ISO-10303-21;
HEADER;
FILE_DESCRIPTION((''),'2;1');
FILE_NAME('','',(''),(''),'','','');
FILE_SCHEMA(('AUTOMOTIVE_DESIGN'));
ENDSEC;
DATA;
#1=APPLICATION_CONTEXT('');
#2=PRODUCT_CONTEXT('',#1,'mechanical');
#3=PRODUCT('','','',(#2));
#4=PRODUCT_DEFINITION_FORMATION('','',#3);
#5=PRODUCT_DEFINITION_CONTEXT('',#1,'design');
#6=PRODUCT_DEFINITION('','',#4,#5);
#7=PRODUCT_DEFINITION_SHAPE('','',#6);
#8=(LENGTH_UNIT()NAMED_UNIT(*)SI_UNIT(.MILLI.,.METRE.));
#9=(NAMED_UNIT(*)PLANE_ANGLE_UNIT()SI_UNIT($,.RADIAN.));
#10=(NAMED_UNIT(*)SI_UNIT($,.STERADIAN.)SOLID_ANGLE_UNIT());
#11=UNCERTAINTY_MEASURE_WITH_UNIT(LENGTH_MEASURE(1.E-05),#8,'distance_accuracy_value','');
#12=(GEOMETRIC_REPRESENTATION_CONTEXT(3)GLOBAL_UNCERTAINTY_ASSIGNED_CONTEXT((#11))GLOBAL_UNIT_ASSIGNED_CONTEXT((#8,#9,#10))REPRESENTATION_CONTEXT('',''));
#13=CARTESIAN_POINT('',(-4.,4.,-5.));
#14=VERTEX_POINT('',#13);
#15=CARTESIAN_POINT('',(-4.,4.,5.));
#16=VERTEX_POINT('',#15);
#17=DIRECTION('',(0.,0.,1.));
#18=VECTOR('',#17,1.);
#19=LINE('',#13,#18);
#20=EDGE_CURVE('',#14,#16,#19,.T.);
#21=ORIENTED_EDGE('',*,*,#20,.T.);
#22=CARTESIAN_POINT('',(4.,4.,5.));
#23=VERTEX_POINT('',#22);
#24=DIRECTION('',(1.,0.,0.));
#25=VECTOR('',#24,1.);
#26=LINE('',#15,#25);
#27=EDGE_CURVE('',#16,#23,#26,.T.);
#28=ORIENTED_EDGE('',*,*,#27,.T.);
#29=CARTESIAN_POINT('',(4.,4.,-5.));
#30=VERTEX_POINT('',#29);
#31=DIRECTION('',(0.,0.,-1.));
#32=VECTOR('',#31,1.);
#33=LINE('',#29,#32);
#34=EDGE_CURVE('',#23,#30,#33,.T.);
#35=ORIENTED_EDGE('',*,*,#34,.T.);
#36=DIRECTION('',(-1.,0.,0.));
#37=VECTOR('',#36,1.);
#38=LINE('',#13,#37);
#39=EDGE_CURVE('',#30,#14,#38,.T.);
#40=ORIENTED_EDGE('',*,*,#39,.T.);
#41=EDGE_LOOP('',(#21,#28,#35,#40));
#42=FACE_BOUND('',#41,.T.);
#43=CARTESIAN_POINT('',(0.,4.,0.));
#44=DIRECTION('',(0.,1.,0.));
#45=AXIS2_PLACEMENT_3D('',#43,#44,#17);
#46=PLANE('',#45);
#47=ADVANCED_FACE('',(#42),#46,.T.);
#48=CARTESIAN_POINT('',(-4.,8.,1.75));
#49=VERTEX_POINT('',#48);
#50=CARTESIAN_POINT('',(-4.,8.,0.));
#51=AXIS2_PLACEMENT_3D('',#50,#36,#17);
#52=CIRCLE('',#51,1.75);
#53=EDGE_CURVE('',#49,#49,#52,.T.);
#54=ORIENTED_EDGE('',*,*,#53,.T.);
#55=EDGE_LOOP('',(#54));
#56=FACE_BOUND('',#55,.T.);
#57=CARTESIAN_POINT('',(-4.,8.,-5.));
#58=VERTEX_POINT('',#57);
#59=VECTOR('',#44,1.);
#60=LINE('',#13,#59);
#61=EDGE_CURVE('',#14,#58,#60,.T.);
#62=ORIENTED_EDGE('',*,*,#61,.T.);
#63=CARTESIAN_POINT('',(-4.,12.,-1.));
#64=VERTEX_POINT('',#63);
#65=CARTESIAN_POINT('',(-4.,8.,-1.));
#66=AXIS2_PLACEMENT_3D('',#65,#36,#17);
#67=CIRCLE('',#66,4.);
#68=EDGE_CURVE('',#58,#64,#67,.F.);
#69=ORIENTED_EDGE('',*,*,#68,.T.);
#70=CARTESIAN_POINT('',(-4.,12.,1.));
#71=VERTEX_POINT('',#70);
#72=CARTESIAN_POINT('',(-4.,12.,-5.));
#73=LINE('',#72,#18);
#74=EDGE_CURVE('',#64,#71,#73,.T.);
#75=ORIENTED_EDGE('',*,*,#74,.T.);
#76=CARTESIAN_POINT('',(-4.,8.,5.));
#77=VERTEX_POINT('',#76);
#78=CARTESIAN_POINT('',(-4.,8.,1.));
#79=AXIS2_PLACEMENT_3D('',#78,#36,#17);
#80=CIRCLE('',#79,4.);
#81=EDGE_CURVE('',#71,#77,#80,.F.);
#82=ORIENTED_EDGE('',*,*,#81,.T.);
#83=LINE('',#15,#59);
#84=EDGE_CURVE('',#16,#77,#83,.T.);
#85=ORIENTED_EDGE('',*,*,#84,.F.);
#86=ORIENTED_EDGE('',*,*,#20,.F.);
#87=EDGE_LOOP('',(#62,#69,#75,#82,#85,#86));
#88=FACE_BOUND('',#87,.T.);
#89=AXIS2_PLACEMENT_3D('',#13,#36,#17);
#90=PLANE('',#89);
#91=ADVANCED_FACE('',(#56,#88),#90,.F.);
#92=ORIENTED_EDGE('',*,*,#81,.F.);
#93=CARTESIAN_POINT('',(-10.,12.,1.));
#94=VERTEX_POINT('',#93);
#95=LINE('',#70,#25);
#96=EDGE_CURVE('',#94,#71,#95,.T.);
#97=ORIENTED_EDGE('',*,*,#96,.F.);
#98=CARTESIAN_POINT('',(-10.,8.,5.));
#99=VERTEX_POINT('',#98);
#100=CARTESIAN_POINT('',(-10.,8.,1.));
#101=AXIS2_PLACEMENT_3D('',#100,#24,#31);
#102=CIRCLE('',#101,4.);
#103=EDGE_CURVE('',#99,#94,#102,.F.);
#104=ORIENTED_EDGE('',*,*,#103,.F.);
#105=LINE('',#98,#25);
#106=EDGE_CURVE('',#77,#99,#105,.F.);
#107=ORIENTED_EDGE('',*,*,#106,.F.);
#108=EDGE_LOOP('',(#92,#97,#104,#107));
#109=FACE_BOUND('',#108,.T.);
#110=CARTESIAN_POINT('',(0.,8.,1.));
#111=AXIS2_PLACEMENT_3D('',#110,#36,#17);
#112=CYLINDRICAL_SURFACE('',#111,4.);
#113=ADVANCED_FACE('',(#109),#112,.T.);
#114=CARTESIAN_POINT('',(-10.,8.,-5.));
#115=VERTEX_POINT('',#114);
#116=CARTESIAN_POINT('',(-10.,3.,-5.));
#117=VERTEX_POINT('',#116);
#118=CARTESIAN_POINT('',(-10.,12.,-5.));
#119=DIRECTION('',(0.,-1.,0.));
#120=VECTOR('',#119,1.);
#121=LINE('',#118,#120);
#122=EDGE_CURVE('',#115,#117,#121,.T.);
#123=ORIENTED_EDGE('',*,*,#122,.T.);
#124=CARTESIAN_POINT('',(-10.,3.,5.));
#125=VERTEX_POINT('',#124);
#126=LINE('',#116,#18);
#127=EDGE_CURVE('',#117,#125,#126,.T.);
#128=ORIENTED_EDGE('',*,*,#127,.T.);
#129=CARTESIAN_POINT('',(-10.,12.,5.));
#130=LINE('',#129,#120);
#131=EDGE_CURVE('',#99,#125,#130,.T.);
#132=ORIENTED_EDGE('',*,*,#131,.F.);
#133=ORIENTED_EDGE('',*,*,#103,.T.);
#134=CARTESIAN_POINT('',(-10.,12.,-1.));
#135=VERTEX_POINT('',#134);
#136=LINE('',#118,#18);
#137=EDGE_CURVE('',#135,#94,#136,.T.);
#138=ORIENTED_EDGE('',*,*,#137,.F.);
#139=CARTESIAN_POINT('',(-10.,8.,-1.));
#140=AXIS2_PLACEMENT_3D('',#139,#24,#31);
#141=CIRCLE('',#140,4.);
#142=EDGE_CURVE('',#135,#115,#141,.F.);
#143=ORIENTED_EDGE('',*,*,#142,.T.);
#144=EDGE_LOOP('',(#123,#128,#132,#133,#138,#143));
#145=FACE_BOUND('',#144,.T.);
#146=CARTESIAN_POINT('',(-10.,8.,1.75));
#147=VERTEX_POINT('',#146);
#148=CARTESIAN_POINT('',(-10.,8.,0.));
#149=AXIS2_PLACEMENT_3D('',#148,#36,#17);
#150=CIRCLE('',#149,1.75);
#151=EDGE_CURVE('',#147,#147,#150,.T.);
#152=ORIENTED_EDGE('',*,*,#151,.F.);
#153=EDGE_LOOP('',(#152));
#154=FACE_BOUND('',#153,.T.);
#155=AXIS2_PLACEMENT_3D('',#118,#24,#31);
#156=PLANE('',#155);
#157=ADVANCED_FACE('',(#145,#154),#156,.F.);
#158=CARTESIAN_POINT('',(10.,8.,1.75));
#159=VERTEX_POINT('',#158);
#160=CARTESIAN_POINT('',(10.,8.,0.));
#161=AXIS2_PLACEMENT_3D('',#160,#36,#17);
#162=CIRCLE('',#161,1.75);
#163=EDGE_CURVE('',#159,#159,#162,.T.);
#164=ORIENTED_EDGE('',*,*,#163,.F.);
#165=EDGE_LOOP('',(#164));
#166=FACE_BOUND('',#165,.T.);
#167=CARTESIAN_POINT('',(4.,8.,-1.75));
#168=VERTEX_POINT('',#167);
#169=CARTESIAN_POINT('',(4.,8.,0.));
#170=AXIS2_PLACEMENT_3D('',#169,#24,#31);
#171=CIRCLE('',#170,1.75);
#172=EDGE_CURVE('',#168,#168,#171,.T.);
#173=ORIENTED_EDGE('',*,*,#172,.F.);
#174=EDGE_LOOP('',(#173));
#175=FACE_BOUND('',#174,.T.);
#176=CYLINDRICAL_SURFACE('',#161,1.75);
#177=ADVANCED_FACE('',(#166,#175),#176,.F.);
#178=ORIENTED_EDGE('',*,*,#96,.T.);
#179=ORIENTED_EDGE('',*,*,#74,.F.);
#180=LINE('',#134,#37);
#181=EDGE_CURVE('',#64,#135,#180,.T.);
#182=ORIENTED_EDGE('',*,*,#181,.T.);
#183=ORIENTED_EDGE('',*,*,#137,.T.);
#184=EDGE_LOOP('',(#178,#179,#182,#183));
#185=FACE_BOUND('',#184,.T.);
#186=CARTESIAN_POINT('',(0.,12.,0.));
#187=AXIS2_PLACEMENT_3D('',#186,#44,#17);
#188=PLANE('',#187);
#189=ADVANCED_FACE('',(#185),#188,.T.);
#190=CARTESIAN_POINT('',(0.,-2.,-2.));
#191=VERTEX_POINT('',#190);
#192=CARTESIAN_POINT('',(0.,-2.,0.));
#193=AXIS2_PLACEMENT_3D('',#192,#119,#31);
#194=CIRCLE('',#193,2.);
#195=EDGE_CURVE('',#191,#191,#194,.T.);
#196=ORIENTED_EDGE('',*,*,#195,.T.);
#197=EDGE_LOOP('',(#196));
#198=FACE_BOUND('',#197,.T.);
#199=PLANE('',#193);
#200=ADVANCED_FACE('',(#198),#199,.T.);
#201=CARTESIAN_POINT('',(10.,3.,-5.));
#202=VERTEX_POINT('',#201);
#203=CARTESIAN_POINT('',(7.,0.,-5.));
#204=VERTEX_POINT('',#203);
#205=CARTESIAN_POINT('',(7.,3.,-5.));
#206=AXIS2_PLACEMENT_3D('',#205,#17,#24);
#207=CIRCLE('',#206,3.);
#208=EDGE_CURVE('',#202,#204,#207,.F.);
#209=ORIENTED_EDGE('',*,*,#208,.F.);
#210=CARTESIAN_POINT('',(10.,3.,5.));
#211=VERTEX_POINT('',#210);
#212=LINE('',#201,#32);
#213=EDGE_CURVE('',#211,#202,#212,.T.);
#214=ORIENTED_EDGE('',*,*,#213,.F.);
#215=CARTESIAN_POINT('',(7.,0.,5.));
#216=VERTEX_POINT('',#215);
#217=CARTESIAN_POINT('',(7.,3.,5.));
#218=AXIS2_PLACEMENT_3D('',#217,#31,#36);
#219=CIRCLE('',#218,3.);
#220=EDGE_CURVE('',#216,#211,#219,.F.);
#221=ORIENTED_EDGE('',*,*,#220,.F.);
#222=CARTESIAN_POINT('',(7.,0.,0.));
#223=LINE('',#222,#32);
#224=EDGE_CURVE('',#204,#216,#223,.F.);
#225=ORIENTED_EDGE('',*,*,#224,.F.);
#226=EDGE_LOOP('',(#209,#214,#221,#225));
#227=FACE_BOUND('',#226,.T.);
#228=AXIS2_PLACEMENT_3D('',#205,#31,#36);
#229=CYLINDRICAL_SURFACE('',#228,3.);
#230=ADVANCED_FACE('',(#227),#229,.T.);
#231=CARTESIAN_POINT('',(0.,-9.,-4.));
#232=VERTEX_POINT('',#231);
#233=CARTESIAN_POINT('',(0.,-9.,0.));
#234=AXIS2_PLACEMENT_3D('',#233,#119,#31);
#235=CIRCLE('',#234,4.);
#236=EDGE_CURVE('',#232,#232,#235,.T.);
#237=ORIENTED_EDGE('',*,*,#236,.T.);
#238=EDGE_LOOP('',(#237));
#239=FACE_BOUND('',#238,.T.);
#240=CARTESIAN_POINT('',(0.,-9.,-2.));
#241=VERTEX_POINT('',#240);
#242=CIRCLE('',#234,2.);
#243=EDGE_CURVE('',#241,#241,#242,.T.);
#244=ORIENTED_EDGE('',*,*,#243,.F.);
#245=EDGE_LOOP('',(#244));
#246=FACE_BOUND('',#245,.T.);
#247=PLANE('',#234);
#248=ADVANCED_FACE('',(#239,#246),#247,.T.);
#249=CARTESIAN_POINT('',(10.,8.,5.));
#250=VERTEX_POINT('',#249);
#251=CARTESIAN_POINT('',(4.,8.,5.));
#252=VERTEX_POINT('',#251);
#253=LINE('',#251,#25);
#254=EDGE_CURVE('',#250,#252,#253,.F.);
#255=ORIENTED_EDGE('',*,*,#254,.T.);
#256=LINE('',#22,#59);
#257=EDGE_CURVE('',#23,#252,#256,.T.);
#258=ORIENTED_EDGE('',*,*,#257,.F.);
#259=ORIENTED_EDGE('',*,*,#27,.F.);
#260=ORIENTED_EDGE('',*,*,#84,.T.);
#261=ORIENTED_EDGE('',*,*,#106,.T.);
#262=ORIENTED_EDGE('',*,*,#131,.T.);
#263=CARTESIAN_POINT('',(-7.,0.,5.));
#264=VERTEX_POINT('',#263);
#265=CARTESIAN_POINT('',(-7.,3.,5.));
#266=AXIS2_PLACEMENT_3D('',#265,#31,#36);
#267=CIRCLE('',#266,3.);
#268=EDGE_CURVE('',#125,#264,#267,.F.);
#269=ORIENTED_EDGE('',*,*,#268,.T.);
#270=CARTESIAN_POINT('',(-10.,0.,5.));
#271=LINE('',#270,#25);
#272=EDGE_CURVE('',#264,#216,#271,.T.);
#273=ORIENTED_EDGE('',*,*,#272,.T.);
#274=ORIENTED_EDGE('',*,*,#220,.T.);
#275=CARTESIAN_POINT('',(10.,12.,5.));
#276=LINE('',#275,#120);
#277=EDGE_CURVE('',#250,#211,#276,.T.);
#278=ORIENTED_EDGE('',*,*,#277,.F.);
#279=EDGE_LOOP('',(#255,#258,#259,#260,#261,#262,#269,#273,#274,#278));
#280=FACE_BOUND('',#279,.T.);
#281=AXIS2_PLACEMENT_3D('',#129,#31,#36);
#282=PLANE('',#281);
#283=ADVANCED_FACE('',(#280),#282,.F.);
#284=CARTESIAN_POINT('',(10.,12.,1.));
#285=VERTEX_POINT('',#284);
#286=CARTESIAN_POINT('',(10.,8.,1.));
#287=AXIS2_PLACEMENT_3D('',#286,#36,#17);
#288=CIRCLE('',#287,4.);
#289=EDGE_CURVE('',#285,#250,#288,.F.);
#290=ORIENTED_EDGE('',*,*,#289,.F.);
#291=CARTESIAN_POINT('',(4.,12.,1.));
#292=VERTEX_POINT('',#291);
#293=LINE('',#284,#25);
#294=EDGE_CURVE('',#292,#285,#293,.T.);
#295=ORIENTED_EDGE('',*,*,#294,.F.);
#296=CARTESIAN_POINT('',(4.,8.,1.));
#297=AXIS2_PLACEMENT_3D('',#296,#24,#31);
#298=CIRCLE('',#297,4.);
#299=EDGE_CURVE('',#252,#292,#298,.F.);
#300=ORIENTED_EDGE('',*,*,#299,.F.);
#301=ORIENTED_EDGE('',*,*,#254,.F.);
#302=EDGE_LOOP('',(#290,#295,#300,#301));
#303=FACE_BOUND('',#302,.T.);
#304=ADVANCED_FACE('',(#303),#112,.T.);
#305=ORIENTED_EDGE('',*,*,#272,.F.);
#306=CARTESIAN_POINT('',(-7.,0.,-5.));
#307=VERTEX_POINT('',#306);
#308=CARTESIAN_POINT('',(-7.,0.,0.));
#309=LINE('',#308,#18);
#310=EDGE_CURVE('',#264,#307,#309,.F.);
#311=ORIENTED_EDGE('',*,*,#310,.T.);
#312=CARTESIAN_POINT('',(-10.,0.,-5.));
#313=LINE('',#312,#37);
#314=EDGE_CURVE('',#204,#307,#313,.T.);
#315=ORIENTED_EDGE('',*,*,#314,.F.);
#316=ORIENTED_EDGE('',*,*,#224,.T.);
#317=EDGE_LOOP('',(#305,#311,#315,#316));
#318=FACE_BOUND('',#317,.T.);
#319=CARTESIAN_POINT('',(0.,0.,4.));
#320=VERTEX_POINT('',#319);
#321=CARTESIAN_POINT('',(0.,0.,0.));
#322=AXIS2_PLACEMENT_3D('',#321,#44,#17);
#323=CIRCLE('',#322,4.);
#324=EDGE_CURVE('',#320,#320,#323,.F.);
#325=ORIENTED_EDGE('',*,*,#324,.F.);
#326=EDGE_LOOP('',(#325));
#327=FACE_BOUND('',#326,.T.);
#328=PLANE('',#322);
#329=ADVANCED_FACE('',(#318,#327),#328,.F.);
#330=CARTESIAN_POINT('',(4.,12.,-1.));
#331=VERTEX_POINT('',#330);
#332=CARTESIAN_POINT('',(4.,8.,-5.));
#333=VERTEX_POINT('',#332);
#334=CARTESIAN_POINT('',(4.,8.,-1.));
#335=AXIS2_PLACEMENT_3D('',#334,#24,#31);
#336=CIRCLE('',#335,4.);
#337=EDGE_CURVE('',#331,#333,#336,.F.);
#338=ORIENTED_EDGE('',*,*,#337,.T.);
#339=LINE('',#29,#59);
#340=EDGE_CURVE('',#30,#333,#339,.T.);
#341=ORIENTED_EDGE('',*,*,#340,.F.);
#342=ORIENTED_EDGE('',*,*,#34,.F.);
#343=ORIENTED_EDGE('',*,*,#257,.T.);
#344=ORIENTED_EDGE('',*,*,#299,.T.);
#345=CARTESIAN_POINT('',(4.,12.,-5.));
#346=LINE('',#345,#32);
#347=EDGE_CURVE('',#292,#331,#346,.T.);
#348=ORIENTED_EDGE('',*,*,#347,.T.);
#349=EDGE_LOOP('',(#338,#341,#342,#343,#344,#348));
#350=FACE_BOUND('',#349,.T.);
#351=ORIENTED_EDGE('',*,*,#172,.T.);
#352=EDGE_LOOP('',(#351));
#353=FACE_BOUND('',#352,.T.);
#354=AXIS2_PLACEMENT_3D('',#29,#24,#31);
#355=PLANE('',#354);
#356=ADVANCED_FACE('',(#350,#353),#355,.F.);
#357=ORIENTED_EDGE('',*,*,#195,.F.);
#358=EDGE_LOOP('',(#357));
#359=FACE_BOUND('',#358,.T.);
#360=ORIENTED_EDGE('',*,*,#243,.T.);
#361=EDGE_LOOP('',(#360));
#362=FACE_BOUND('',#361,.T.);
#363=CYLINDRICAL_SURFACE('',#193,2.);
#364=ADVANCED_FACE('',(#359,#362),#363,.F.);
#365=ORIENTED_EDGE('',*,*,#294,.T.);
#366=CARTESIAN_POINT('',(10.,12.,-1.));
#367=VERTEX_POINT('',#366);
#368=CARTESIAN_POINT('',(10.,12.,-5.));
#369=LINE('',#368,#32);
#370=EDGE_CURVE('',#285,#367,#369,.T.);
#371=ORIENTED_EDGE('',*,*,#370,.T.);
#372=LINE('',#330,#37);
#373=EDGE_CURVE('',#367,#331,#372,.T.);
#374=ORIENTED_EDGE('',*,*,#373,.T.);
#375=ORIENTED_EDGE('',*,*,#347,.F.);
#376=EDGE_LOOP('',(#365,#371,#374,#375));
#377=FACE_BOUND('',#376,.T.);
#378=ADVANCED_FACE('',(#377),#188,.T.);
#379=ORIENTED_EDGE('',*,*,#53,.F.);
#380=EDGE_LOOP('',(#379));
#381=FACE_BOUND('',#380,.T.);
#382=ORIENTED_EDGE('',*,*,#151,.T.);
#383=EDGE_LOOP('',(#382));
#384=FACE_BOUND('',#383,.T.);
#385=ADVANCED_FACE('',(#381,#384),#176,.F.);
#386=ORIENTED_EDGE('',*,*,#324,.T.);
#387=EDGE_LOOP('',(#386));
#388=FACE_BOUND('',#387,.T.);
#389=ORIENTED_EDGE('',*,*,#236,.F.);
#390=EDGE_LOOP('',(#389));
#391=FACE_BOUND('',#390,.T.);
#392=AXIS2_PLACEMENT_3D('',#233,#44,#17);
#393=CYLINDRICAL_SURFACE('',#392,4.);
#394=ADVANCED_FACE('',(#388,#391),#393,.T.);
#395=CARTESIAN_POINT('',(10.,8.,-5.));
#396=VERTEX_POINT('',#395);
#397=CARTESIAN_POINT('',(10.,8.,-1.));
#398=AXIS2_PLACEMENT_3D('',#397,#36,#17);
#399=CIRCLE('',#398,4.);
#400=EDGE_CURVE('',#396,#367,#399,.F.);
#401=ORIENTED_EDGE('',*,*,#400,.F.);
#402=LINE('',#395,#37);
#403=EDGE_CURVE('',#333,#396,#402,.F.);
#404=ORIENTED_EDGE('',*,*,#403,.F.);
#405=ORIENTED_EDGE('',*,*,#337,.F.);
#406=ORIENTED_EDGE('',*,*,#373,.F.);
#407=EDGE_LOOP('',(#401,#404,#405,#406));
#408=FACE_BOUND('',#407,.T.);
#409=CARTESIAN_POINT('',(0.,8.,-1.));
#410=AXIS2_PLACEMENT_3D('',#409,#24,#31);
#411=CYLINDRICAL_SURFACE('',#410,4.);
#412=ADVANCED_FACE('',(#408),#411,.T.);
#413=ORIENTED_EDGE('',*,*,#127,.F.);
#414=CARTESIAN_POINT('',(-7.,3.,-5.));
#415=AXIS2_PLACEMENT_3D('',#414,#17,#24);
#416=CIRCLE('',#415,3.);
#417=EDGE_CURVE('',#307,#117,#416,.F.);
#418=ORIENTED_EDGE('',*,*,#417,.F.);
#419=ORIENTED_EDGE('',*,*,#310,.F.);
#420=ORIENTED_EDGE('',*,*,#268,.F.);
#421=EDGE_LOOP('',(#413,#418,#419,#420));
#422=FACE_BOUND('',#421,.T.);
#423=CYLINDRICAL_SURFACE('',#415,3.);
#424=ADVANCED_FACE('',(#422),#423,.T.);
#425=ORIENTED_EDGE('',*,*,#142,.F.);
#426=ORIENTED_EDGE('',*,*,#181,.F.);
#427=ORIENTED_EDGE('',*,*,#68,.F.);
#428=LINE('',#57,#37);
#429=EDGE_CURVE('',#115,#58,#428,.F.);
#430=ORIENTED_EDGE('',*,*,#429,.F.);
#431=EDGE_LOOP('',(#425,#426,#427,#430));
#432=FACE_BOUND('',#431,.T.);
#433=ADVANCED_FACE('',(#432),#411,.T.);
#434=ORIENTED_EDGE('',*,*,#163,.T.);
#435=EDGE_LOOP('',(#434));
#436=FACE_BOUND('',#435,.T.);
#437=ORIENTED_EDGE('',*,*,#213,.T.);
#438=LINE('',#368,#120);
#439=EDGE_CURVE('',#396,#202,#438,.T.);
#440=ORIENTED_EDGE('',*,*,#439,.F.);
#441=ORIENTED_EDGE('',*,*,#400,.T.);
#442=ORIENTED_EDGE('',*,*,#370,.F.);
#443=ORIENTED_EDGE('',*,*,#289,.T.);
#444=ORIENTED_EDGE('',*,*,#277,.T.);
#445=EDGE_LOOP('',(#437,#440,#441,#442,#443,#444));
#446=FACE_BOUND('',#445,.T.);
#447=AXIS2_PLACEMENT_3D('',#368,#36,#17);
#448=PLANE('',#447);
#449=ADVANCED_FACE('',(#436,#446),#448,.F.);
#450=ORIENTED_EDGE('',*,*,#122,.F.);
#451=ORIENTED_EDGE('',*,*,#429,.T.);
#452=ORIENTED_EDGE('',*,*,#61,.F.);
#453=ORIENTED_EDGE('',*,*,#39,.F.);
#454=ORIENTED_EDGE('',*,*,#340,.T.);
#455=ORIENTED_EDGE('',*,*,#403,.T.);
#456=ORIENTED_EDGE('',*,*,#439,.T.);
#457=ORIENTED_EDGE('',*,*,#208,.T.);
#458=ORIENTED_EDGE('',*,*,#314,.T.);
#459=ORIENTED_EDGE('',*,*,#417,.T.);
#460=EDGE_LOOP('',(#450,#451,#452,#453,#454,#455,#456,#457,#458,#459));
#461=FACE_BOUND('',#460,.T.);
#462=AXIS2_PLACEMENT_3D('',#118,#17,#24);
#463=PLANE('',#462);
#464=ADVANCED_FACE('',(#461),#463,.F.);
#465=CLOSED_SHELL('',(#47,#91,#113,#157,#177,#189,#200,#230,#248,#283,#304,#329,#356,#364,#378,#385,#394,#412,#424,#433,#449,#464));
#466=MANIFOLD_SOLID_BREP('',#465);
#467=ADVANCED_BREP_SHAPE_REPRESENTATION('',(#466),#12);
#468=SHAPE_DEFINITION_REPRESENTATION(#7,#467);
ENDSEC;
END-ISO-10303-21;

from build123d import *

# Parameters (mm, degrees)
SKETCH1_W           = 20
SKETCH1_H           = 10
BOSS_EXTRUDE1_DEPTH = 12
SKETCH2_W           = 8
SKETCH2_H           = 10
CUT_EXTRUDE1_DEPTH  = 8
FILLET1_R           = 4
SKETCH3_R           = 1.75
CUT_EXTRUDE2_DEPTH  = 21
FILLET2_R           = 3
SKETCH5_R           = 4
BOSS_EXTRUDE2_DEPTH = 9
SKETCH6_R           = 2
CUT_EXTRUDE3_DEPTH  = 7


with BuildPart() as part:
    # Sketch1 → Boss-Extrude1 (new body)
    with BuildSketch(Plane(origin=(0, 0, 0), x_dir=(1, 0, 0), z_dir=(0, 1, 0))):
        Rectangle(SKETCH1_W, SKETCH1_H)
    extrude(amount=BOSS_EXTRUDE1_DEPTH)

    # Sketch2 → Cut-Extrude1 (cut)
    with BuildSketch(Plane(origin=(0, 12, 0), x_dir=(1, 0, 0), z_dir=(0, 1, 0))):
        Rectangle(SKETCH2_W, SKETCH2_H)
    extrude(amount=-CUT_EXTRUDE1_DEPTH, mode=Mode.SUBTRACT)

    # Fillet1
    fillet1_edges = [part.edges().sort_by_distance(p)[0] for p in [
        (-7, 12, -5),
        (7, 12, 5),
        (-7, 12, 5),
        (7, 12, -5),
    ]]
    fillet(fillet1_edges, radius=FILLET1_R)

    # Sketch3 → Cut-Extrude2 (cut, through all)
    with BuildSketch(Plane.ZY.offset(10)):
        with Locations((0, 8)):
            Circle(SKETCH3_R)
    extrude(amount=-CUT_EXTRUDE2_DEPTH, mode=Mode.SUBTRACT)

    # Fillet2
    fillet2_edges = [part.edges().sort_by_distance(p)[0] for p in [
        (-10, 0, 0),
        (10, 0, 0),
    ]]
    fillet(fillet2_edges, radius=FILLET2_R)

    # Sketch5 → Boss-Extrude2 (add)
    with BuildSketch(Plane.XZ):
        Circle(SKETCH5_R)
    extrude(amount=BOSS_EXTRUDE2_DEPTH)

    # Sketch6 → Cut-Extrude3 (cut)
    with BuildSketch(Plane.XZ.offset(9)):
        Circle(SKETCH6_R)
    extrude(amount=-CUT_EXTRUDE3_DEPTH, mode=Mode.SUBTRACT)


solid = part.part
